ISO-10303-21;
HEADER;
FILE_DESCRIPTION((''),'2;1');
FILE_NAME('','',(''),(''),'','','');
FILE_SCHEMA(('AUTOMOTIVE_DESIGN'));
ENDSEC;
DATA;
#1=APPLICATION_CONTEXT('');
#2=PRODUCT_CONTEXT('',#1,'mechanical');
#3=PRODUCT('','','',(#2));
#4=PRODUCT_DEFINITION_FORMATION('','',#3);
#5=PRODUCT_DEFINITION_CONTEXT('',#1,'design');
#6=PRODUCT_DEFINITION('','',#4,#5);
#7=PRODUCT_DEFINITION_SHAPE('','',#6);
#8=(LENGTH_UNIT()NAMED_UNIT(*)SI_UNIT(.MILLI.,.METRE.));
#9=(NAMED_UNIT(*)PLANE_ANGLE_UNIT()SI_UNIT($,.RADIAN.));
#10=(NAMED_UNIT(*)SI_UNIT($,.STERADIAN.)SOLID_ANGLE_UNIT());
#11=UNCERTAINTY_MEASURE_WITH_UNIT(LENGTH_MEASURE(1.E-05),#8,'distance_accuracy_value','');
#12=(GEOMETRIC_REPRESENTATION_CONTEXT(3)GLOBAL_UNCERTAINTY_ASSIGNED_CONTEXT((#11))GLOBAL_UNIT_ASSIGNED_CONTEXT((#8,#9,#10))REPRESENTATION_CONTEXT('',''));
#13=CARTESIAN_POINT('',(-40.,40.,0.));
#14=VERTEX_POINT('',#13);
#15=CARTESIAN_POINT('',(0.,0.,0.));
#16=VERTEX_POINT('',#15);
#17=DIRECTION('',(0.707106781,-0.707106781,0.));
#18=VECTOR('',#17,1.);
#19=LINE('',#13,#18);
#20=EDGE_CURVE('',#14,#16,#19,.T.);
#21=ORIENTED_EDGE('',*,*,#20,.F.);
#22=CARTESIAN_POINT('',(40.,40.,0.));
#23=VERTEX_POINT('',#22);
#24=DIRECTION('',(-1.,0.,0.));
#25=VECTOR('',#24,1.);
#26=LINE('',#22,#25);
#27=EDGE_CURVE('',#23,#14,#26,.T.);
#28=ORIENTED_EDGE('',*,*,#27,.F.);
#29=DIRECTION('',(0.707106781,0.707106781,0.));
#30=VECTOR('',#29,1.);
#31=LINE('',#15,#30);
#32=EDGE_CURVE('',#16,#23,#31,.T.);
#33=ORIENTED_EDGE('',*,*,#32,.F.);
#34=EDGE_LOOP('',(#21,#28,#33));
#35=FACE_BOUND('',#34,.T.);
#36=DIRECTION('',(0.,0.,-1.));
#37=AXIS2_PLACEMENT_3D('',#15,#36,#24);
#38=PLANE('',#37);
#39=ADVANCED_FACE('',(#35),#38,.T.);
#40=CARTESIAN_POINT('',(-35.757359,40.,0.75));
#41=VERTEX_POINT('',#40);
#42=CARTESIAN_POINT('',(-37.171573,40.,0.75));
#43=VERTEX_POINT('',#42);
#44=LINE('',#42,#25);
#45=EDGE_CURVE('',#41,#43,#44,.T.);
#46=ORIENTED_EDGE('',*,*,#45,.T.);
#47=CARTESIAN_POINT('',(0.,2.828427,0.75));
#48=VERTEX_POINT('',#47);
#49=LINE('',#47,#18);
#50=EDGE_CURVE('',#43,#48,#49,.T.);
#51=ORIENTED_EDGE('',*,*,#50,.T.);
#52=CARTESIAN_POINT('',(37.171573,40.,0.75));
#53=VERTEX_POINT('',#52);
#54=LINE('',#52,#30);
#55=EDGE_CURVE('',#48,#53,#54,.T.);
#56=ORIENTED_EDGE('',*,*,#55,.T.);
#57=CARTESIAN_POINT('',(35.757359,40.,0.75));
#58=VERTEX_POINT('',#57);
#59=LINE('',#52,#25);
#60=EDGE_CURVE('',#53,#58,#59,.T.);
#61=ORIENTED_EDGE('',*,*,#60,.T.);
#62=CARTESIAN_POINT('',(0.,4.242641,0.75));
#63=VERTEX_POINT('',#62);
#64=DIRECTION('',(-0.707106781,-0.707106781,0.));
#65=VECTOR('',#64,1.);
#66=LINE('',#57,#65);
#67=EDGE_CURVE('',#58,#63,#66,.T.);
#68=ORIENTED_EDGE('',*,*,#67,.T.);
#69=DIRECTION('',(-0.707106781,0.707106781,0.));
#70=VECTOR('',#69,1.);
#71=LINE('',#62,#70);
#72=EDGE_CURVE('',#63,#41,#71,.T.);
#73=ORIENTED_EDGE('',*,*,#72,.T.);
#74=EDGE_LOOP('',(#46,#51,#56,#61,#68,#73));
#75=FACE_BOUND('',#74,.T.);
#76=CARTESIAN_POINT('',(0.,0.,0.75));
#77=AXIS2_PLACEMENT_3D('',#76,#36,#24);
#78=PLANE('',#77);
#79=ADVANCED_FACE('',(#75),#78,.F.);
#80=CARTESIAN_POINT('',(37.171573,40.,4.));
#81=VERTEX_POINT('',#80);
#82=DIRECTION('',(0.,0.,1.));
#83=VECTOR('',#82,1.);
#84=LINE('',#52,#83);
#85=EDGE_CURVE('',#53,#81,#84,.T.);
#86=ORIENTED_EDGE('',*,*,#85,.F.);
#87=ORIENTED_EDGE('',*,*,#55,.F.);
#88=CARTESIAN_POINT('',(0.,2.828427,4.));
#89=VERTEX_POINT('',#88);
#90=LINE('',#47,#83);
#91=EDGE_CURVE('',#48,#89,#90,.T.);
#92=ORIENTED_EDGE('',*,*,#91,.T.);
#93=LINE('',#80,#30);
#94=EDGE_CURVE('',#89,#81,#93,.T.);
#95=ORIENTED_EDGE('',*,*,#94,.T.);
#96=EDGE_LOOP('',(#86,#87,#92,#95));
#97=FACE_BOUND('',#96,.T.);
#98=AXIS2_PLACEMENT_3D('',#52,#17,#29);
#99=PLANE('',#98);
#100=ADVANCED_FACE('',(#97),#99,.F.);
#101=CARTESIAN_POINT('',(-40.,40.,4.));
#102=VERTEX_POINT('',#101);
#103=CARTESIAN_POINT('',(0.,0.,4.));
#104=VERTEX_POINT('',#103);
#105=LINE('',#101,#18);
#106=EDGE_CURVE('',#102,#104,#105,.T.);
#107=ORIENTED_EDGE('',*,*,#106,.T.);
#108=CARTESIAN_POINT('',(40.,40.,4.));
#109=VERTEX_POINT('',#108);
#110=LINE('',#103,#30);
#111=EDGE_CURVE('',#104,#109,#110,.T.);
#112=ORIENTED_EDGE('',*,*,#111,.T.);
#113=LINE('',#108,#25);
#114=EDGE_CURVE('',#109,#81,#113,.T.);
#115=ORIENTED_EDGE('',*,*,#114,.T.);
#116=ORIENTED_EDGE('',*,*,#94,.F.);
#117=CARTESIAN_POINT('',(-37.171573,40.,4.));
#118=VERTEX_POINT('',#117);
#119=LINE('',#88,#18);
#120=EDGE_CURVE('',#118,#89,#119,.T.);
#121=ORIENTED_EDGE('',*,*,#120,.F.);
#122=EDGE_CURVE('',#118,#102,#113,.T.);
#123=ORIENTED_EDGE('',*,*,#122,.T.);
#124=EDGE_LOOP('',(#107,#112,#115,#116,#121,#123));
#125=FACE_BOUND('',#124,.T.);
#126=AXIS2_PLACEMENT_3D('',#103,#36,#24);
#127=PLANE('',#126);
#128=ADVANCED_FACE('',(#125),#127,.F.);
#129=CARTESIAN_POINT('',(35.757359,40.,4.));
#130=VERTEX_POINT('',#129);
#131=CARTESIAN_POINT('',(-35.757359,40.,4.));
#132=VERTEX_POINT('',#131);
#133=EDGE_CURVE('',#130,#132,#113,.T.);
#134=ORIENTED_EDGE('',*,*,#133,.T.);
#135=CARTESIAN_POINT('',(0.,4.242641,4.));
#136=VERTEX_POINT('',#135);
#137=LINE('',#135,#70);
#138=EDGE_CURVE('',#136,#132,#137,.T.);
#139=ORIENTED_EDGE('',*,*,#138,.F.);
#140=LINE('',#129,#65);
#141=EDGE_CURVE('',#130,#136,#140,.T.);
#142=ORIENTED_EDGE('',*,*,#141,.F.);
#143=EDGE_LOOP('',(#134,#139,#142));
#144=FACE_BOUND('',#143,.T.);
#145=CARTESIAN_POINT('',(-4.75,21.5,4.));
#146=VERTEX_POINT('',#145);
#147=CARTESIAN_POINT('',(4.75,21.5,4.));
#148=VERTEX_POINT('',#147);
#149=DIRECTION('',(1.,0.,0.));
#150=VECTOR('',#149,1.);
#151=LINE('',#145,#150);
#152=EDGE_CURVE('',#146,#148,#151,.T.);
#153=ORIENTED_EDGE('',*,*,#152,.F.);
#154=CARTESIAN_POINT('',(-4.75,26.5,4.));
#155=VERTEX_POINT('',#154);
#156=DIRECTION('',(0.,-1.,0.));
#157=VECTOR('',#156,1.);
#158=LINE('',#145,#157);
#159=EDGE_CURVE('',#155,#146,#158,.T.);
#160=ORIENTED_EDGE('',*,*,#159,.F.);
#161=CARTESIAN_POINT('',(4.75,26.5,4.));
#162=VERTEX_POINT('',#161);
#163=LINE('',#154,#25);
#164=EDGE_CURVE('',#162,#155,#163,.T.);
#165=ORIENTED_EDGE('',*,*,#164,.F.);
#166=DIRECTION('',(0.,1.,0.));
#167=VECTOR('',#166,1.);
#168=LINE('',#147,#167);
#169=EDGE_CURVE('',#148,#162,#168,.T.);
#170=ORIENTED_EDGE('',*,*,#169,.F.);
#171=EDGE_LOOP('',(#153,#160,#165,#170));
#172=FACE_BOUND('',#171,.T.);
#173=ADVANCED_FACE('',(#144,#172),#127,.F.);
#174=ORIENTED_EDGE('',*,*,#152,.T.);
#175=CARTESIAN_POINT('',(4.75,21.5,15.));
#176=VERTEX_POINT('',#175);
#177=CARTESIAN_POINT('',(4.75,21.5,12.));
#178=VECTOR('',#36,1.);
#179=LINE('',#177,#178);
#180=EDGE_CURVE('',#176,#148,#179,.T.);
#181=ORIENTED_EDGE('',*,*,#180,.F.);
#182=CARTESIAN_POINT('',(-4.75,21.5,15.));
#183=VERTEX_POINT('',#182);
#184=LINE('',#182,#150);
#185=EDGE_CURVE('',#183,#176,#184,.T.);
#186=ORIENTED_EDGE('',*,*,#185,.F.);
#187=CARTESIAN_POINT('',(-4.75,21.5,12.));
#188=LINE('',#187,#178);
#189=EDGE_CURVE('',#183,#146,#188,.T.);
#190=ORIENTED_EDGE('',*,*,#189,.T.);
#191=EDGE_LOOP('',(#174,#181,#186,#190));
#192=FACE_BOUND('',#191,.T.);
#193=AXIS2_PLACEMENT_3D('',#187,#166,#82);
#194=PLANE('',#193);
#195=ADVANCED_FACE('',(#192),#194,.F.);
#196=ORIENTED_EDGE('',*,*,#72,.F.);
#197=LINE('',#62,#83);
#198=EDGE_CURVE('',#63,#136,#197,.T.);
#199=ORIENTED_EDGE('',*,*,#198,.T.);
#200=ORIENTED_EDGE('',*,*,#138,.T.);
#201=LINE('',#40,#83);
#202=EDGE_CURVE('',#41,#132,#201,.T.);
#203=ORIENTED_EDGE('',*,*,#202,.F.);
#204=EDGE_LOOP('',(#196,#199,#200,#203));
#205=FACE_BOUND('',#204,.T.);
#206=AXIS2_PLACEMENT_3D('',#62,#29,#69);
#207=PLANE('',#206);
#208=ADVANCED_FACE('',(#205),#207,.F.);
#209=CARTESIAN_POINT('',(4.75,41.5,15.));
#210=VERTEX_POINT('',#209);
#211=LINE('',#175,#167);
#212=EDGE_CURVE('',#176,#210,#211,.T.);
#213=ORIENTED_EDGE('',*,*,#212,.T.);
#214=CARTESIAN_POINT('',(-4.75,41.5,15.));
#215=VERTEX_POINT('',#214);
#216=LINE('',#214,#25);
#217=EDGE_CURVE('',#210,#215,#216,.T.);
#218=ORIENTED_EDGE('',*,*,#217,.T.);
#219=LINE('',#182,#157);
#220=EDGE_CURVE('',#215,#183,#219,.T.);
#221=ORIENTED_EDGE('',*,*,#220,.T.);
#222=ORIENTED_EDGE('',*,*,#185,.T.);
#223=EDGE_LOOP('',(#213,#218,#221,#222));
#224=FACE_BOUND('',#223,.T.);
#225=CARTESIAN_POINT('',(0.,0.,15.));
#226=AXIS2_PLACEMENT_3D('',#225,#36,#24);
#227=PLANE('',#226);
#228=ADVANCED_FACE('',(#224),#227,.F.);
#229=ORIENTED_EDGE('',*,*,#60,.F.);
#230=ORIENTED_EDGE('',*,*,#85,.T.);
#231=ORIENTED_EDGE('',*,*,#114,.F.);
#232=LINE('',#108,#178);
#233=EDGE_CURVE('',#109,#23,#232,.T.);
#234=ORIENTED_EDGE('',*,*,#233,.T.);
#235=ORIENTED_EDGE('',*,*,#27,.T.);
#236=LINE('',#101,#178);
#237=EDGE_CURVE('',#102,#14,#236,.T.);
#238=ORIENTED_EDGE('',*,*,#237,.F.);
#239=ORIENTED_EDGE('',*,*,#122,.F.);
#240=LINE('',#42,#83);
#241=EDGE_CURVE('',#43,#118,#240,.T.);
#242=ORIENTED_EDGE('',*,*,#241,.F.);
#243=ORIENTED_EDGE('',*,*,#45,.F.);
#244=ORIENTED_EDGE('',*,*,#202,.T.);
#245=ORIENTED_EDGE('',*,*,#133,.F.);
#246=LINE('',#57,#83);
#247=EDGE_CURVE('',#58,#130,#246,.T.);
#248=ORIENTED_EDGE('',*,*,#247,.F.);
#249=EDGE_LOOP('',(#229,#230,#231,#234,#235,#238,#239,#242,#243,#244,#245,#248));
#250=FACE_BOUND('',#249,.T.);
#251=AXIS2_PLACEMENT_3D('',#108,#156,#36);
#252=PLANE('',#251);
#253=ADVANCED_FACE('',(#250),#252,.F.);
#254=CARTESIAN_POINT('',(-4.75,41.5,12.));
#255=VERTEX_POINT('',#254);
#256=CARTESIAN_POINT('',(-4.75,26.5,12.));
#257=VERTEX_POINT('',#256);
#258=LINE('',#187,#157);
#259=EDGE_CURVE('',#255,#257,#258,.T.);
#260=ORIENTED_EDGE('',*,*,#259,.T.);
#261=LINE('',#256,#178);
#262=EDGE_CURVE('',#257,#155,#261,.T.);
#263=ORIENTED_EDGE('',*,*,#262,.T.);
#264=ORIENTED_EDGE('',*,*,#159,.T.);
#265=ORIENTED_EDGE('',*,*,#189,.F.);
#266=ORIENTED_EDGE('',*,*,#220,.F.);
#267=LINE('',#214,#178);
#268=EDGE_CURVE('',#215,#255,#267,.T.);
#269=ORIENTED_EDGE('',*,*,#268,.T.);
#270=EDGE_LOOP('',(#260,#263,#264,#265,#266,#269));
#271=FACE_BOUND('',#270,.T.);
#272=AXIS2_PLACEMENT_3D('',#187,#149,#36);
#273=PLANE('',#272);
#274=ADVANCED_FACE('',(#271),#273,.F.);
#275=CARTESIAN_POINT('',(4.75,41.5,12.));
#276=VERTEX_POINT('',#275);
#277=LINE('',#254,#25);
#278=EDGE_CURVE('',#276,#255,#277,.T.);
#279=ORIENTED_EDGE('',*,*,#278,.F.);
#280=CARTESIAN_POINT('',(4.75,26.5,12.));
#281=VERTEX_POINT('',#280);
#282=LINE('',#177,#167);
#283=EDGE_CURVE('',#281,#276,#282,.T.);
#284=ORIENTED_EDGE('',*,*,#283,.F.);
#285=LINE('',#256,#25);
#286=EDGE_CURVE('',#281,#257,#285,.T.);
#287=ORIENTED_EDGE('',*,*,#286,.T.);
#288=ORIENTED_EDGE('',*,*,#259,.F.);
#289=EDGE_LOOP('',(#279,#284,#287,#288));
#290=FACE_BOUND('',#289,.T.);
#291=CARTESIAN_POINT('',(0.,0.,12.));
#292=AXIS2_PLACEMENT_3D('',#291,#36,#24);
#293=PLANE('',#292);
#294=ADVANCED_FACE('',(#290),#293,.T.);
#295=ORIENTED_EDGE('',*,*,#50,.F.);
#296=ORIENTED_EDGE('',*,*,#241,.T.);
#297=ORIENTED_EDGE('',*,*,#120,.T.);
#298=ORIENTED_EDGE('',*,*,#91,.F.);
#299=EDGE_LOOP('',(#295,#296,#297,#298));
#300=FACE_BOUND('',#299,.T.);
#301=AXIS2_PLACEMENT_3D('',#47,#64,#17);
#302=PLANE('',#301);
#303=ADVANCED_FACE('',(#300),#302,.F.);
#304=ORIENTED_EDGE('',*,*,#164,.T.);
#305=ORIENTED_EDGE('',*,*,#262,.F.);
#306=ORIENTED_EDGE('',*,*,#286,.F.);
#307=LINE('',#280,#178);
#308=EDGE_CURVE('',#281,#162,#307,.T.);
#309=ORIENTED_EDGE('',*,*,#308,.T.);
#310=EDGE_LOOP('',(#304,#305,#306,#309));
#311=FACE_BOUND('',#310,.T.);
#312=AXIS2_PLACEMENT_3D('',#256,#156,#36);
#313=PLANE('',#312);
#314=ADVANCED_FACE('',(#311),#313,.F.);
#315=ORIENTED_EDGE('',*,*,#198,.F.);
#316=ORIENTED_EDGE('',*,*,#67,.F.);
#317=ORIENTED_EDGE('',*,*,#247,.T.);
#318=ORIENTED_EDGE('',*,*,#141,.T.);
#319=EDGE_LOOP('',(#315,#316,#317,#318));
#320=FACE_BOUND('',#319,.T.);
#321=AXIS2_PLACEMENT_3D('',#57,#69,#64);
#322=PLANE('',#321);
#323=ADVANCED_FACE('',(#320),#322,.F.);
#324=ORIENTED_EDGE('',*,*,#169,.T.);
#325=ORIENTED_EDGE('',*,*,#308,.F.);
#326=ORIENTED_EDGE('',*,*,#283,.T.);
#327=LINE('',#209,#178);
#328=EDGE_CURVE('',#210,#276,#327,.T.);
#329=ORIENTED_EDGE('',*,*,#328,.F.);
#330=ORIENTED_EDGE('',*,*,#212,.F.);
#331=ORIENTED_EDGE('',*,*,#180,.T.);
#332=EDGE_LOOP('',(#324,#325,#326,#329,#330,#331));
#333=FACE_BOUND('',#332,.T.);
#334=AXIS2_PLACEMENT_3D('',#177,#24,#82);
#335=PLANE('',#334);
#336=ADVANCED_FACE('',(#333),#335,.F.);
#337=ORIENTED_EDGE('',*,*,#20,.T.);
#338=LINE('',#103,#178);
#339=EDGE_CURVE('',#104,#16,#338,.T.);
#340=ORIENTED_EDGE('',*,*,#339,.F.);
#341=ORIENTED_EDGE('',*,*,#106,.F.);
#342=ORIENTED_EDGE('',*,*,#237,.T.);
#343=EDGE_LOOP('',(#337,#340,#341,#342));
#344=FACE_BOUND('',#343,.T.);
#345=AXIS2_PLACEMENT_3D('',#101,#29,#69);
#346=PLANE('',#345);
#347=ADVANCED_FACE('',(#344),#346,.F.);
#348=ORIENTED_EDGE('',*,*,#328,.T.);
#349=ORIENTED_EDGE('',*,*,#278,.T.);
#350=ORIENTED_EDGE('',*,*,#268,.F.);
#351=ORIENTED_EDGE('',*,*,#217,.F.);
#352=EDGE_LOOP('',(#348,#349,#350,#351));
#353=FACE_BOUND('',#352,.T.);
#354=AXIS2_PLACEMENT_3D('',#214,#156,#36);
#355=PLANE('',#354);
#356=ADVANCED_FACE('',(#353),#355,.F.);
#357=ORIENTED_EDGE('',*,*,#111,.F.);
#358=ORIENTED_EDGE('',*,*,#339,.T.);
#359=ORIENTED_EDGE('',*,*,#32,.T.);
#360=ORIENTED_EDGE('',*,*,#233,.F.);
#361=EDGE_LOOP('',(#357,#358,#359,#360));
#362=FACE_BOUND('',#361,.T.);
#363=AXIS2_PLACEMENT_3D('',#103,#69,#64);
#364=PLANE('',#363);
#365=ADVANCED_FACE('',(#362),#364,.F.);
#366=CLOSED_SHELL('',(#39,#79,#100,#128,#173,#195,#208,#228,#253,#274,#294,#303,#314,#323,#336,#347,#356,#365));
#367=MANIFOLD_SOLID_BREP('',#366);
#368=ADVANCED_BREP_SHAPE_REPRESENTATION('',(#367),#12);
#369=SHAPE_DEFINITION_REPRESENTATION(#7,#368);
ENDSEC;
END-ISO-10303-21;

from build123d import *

# Parameters (mm, degrees)
BOSS_EXTRUDE1_DEPTH = 4
CUT_EXTRUDE2_DEPTH  = 3.25
SKETCH5_W           = 9.5
SKETCH5_H           = 5
BOSS_EXTRUDE2_DEPTH = 8
SKETCH6_W           = 9.5
SKETCH6_H           = 20
BOSS_EXTRUDE3_DEPTH = 3


with BuildPart() as part:
    # Sketch1 → Boss-Extrude1 (new body)
    with BuildSketch(Plane.XY):
        Polygon((0, 0), (40, 40), (-40, 40), align=None)
    extrude(amount=BOSS_EXTRUDE1_DEPTH)

    # Sketch2 → Cut-Extrude2 (cut)
    with BuildSketch(Plane.XY.offset(4)):
        Polygon((0, 2.828427125), (-37.171572875, 40), (-35.757359313, 40), (0, 4.242640687), (35.757359313, 40), (37.171572875, 40), align=None)
    extrude(amount=-CUT_EXTRUDE2_DEPTH, mode=Mode.SUBTRACT)

    # Sketch5 → Boss-Extrude2 (add)
    with BuildSketch(Plane.XY.offset(4)):
        with Locations((0, 24)):
            Rectangle(SKETCH5_W, SKETCH5_H)
    extrude(amount=BOSS_EXTRUDE2_DEPTH)

    # Sketch6 → Boss-Extrude3 (add)
    with BuildSketch(Plane.XY.offset(12)):
        with Locations((0, 31.5)):
            Rectangle(SKETCH6_W, SKETCH6_H)
    extrude(amount=BOSS_EXTRUDE3_DEPTH)


solid = part.part
